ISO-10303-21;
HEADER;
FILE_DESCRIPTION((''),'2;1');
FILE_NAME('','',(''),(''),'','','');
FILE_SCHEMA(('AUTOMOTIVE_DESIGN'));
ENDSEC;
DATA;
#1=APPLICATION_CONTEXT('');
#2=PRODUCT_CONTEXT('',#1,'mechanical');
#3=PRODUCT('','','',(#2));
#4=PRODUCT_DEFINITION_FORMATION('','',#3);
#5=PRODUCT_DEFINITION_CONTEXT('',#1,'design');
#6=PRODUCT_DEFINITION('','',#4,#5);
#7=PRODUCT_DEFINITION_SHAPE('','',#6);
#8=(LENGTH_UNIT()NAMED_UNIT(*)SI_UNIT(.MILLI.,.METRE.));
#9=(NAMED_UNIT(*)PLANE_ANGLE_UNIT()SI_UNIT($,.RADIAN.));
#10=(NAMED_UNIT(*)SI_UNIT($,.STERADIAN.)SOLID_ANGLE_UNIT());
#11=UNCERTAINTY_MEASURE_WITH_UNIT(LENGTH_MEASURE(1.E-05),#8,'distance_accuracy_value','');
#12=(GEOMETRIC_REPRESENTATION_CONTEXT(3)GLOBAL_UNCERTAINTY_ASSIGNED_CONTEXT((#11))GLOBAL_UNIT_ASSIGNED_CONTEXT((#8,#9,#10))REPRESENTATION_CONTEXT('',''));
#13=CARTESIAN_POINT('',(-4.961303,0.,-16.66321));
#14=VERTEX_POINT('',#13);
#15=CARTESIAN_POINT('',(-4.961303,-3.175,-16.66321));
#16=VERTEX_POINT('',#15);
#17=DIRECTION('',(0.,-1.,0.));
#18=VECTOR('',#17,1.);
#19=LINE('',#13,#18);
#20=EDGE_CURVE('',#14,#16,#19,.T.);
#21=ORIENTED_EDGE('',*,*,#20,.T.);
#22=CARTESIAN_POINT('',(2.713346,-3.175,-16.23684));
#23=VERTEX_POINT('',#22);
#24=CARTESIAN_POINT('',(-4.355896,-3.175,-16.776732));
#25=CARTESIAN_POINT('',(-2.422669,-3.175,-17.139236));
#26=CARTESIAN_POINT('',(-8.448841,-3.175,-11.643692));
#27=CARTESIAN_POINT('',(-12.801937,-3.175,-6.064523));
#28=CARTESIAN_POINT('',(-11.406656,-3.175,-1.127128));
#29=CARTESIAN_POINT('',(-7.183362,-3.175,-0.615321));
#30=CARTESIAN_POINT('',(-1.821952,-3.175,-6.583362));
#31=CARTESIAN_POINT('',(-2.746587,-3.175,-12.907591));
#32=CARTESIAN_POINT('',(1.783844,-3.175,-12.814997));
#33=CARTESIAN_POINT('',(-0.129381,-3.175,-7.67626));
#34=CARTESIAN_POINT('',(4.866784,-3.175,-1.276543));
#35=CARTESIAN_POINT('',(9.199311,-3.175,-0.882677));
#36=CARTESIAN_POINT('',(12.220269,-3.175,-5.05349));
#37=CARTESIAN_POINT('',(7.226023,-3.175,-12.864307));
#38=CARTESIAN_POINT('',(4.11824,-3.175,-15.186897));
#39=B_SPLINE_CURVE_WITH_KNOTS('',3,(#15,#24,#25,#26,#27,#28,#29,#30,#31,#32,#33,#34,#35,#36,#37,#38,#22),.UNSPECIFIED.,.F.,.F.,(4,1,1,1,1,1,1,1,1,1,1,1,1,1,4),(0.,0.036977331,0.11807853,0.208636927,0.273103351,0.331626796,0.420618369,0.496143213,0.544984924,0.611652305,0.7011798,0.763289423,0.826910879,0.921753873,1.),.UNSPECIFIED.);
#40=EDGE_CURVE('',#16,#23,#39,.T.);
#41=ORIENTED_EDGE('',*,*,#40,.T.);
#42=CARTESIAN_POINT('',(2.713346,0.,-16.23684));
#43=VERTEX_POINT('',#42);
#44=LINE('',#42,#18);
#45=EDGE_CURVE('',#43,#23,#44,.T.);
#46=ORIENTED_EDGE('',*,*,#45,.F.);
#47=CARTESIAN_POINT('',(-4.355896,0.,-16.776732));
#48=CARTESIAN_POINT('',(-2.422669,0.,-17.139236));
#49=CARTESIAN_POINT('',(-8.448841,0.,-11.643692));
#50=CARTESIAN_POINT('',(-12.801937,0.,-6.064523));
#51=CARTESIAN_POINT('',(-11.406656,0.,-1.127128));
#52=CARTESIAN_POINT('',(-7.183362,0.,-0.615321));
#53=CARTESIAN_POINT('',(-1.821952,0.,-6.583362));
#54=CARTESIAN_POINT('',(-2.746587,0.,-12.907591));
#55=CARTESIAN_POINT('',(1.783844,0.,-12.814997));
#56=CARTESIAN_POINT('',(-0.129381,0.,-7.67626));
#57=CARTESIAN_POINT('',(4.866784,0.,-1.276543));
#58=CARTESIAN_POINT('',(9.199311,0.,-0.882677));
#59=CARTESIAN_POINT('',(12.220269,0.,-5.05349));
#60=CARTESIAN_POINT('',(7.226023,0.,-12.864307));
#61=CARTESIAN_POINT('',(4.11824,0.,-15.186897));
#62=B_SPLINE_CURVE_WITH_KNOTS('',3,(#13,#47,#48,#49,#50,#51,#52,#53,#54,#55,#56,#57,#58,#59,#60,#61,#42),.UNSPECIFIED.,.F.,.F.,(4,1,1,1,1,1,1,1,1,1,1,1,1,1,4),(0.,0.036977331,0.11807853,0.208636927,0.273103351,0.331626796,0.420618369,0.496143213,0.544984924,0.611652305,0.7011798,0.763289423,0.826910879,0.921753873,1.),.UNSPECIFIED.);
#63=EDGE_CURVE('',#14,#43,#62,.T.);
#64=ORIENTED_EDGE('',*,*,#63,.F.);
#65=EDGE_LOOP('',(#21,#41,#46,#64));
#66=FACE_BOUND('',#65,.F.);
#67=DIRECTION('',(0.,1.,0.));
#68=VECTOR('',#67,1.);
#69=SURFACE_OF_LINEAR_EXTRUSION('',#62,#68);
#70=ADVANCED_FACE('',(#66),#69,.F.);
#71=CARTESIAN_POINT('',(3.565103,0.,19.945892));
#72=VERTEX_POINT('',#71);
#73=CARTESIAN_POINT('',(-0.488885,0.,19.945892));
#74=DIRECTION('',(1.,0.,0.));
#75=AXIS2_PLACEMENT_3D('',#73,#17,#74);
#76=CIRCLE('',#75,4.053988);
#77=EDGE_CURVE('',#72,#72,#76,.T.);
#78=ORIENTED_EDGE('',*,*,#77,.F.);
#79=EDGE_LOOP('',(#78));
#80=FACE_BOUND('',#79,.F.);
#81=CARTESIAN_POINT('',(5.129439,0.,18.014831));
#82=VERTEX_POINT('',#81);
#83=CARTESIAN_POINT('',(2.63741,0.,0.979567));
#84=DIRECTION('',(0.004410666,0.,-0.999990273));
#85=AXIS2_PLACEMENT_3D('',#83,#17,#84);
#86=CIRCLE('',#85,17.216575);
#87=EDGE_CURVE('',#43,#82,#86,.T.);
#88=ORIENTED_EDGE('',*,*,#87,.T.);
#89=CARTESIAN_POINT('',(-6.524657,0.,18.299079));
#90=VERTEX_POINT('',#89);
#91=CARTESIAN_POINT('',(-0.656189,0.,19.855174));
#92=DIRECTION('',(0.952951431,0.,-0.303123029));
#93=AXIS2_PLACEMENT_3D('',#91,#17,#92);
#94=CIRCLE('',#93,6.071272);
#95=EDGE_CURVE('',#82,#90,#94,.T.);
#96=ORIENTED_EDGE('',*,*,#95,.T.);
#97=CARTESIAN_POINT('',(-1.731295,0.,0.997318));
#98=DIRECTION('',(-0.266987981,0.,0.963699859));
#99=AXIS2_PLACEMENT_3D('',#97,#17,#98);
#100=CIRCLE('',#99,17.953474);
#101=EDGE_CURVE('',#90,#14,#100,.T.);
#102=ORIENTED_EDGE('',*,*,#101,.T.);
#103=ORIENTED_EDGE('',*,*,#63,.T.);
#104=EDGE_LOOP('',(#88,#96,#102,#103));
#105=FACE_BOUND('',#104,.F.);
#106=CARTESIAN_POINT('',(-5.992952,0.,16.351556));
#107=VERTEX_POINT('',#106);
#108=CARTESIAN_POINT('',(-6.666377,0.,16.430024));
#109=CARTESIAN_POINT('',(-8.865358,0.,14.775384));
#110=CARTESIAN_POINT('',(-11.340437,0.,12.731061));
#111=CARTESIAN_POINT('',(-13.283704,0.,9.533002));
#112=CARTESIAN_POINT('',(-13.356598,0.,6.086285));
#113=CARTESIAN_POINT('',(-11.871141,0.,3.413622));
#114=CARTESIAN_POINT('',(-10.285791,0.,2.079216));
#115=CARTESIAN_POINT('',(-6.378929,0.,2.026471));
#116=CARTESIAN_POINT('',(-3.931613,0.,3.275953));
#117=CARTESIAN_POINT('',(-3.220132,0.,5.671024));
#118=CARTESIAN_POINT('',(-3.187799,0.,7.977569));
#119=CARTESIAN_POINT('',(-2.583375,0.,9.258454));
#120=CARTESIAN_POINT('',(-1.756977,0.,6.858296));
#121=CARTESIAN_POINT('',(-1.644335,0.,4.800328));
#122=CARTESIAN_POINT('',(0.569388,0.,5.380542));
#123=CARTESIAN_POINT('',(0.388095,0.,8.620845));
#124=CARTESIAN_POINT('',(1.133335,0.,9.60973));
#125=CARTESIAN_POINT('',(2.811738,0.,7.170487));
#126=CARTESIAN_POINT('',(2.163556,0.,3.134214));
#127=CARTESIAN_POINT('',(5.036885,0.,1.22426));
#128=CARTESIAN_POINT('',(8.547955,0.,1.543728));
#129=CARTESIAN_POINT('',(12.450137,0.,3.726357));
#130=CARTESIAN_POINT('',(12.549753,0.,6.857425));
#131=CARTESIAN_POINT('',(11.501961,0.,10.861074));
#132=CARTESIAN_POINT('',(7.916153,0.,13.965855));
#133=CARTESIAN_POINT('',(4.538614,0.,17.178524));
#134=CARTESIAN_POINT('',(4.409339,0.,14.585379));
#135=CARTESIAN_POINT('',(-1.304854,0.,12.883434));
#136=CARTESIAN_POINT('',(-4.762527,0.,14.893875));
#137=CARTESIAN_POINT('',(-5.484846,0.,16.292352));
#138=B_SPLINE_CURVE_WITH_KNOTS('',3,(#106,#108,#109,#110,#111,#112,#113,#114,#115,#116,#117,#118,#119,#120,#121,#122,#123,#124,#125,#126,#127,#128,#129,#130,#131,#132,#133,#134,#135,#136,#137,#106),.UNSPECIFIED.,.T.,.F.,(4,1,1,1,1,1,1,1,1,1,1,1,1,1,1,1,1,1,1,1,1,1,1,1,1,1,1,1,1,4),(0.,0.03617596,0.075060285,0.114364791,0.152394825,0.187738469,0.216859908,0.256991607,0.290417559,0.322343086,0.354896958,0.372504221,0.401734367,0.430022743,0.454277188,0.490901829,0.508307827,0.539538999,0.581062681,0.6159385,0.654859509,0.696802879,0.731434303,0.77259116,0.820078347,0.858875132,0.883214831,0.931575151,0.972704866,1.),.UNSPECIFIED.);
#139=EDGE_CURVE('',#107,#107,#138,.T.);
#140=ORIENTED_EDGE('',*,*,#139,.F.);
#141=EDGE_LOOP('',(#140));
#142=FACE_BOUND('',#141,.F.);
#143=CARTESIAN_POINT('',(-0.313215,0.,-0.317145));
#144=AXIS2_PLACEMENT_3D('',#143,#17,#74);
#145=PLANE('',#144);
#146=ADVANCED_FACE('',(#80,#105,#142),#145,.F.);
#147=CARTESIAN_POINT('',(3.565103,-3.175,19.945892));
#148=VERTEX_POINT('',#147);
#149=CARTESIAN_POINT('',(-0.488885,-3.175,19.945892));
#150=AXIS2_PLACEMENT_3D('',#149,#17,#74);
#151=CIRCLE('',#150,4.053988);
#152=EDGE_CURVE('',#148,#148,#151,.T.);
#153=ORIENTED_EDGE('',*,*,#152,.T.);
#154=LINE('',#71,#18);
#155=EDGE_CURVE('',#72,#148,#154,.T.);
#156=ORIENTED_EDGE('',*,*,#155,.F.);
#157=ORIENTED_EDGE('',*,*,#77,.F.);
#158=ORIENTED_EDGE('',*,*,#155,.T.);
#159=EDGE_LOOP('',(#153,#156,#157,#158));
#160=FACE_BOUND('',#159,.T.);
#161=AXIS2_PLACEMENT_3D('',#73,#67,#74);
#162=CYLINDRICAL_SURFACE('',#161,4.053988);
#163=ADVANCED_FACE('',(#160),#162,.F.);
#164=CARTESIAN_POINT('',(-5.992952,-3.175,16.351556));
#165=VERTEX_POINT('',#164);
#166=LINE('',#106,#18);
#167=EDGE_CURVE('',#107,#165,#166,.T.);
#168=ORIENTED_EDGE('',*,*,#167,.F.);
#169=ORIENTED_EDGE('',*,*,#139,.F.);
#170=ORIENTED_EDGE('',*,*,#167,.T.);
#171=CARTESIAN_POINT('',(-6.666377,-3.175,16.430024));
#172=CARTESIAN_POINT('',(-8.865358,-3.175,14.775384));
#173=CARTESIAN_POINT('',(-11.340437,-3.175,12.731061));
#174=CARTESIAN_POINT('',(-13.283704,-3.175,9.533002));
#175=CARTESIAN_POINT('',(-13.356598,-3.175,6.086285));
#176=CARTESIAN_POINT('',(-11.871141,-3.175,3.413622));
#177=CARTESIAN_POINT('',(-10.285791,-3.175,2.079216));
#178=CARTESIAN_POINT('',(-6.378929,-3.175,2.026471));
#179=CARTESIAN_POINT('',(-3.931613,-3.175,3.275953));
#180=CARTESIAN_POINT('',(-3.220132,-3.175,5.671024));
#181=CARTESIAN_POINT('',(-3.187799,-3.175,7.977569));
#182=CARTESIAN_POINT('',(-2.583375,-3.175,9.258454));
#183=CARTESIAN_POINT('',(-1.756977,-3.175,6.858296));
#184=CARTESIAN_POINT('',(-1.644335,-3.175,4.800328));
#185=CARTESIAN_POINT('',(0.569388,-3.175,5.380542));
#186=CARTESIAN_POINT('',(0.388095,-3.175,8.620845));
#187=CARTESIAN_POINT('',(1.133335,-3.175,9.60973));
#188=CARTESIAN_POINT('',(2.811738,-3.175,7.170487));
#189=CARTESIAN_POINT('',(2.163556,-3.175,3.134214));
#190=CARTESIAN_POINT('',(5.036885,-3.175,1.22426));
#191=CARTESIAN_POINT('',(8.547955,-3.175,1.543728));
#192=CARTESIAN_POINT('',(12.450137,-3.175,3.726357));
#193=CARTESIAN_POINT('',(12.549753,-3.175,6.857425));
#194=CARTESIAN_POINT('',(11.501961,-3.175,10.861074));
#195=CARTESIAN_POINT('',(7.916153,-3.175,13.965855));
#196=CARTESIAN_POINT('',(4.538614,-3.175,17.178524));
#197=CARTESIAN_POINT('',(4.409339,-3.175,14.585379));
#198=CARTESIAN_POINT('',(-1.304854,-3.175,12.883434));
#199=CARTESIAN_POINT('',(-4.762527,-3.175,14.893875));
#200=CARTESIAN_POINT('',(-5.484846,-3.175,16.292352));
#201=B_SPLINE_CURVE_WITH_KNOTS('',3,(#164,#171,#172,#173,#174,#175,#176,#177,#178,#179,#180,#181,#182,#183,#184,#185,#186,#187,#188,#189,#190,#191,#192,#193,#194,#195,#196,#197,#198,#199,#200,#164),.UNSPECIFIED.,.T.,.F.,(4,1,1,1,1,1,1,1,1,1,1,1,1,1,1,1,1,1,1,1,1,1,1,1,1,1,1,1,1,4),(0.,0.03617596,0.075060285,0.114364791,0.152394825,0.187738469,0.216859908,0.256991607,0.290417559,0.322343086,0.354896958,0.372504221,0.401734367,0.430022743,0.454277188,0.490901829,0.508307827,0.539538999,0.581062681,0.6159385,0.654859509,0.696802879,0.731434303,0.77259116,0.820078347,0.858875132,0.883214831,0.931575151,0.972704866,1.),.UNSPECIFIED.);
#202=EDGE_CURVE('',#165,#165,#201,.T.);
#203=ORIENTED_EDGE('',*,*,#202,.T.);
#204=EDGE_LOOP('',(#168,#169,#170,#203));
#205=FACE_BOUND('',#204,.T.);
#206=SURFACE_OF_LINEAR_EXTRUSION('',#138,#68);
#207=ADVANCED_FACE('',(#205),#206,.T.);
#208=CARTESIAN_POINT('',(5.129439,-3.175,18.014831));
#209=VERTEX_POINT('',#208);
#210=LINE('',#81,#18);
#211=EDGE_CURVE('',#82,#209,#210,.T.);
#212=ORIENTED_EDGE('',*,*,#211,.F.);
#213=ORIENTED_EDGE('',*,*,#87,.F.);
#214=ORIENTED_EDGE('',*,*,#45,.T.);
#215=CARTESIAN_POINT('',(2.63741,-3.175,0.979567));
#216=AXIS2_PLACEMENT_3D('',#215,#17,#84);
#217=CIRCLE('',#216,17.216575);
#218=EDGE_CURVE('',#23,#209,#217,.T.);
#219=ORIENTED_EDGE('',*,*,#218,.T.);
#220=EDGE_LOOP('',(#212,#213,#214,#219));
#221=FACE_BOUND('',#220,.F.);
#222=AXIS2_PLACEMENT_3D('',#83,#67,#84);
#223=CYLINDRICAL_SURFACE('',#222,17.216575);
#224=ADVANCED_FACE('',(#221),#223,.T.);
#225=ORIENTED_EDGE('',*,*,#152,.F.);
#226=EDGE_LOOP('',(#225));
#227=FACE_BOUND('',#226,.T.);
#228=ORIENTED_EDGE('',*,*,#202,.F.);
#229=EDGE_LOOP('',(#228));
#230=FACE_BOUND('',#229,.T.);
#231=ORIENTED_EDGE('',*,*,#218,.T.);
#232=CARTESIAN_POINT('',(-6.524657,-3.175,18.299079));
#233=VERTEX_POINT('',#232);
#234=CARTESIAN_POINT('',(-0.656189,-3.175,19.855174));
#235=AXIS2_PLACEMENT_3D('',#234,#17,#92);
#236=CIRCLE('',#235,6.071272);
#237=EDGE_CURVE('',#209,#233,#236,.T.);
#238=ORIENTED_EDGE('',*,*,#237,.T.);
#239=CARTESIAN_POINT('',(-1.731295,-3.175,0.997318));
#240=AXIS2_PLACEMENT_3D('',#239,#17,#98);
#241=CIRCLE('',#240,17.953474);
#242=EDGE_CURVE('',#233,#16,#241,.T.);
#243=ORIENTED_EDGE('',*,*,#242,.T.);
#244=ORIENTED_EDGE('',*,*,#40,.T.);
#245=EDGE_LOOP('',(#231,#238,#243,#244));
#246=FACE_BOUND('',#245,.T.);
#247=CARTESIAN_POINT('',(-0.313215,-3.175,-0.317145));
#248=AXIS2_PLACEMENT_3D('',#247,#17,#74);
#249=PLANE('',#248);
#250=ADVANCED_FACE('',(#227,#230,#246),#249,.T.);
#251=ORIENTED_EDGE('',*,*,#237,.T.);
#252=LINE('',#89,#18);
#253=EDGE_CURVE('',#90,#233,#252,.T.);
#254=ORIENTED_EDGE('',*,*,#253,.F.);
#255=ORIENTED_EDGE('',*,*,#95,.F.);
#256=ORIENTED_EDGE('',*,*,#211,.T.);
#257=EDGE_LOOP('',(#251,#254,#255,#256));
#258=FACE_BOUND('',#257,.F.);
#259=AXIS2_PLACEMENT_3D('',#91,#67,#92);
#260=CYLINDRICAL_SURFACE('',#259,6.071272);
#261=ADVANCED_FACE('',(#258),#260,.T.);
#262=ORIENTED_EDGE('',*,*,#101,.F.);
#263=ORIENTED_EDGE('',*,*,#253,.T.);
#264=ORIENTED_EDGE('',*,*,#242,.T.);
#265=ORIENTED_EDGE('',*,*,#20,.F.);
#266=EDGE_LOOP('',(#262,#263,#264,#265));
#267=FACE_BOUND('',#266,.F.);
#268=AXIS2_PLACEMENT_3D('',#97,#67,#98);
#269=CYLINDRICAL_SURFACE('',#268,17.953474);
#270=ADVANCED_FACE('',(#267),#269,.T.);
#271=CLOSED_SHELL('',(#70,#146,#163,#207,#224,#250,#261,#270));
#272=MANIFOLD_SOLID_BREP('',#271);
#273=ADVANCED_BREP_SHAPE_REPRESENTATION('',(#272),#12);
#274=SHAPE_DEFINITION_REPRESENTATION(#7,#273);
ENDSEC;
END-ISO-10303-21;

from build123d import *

# Parameters (mm, degrees)
F0_R     = 4.0539877688
F1_DEPTH = 3.175


with BuildPart() as f1:
    # F0 (on Front) → F1 (new body)
    with BuildSketch(Plane.XZ):
        with BuildLine():
            ThreePointArc((5.129438825, 18.0148314685), (-0.5081526977, 25.9246413463), (-6.5246568993, 18.2990785688))
            ThreePointArc((-6.5246568993, 18.2990785688), (-19.6668472214, 0.1953222817), (-4.9613029696, -16.6632104665))
            add(Edge.make_bspline(
                [(-4.9613029696, -16.6632104665), (-4.3558959251, -16.7767318544), (-2.4226689604, -17.1392360739), (-8.4488409769, -11.6436921985), (-12.8019365877, -6.0645229359), (-11.406656289, -1.1271280467), (-7.1833623455, -0.6153207404), (-1.8219522392, -6.5833623097), (-2.7465869931, -12.90759147), (1.7838437793, -12.8149972795), (-0.1293814585, -7.6762602728), (4.8667842045, -1.2765429828), (9.199311275, -0.8826773361), (12.2202691667, -5.0534895322), (7.2260226314, -12.8643074595), (4.1182404529, -15.1868971709), (2.7133461554, -16.236839816)],
                knots=[0, 0, 0, 0, 0.0369773311, 0.1180785295, 0.2086369269, 0.2731033511, 0.3316267961, 0.4206183687, 0.4961432129, 0.5449849239, 0.6116523053, 0.7011798004, 0.7632894232, 0.8269108786, 0.9217538728, 1, 1, 1, 1], degree=3))
            ThreePointArc((2.7133461554, -16.236839816), (19.8113100918, -0.2318695797), (5.129438825, 18.0148314685))
        make_face()
        with BuildLine():
            add(Edge.make_bspline(
                [(-5.9929518029, 16.3515564054), (-6.6663768838, 16.4300237448), (-8.8653584835, 14.7753838469), (-11.3404371319, 12.7310608038), (-13.2837035839, 9.5330024945), (-13.3565975279, 6.0862853144), (-11.8711412595, 3.4136221523), (-10.2857914598, 2.0792158901), (-6.3789291588, 2.0264711839), (-3.9316130795, 3.2759533146), (-3.2201322223, 5.6710241676), (-3.1877985362, 7.9775689376), (-2.5833750425, 9.2584542317), (-1.7569772621, 6.8582960901), (-1.6443346534, 4.8003278574), (0.5693879226, 5.3805424771), (0.3880952572, 8.6208453662), (1.1333346155, 9.609729563), (2.8117377019, 7.1704868058), (2.1635560278, 3.1342136584), (5.0368854745, 1.2242604094), (8.5479554519, 1.5437281293), (12.4501365284, 3.7263566749), (12.54975341, 6.8574248429), (11.5019611008, 10.8610738606), (7.9161533488, 13.9658553437), (4.5386141062, 17.1785239754), (4.4093387332, 14.5853789015), (-1.3048537508, 12.8834339536), (-4.7625266071, 14.8938746847), (-5.4848456463, 16.29235199), (-5.9929518029, 16.3515564054)],
                knots=[0, 0, 0, 0, 0.0361759597, 0.0750602847, 0.1143647915, 0.1523948254, 0.1877384689, 0.2168599077, 0.2569916065, 0.2904175589, 0.3223430858, 0.3548969583, 0.3725042213, 0.401734367, 0.4300227429, 0.4542771876, 0.4909018293, 0.5083078272, 0.5395389995, 0.5810626814, 0.6159385004, 0.654859509, 0.6968028791, 0.731434303, 0.7725911596, 0.8200783469, 0.8588751321, 0.8832148305, 0.9315751513, 0.972704866, 1, 1, 1, 1], degree=3))
        make_face(mode=Mode.SUBTRACT)
        with Locations((-0.4888849217, 19.945891574)):
            Circle(F0_R, mode=Mode.SUBTRACT)
    extrude(amount=F1_DEPTH)


solid = f1.part
